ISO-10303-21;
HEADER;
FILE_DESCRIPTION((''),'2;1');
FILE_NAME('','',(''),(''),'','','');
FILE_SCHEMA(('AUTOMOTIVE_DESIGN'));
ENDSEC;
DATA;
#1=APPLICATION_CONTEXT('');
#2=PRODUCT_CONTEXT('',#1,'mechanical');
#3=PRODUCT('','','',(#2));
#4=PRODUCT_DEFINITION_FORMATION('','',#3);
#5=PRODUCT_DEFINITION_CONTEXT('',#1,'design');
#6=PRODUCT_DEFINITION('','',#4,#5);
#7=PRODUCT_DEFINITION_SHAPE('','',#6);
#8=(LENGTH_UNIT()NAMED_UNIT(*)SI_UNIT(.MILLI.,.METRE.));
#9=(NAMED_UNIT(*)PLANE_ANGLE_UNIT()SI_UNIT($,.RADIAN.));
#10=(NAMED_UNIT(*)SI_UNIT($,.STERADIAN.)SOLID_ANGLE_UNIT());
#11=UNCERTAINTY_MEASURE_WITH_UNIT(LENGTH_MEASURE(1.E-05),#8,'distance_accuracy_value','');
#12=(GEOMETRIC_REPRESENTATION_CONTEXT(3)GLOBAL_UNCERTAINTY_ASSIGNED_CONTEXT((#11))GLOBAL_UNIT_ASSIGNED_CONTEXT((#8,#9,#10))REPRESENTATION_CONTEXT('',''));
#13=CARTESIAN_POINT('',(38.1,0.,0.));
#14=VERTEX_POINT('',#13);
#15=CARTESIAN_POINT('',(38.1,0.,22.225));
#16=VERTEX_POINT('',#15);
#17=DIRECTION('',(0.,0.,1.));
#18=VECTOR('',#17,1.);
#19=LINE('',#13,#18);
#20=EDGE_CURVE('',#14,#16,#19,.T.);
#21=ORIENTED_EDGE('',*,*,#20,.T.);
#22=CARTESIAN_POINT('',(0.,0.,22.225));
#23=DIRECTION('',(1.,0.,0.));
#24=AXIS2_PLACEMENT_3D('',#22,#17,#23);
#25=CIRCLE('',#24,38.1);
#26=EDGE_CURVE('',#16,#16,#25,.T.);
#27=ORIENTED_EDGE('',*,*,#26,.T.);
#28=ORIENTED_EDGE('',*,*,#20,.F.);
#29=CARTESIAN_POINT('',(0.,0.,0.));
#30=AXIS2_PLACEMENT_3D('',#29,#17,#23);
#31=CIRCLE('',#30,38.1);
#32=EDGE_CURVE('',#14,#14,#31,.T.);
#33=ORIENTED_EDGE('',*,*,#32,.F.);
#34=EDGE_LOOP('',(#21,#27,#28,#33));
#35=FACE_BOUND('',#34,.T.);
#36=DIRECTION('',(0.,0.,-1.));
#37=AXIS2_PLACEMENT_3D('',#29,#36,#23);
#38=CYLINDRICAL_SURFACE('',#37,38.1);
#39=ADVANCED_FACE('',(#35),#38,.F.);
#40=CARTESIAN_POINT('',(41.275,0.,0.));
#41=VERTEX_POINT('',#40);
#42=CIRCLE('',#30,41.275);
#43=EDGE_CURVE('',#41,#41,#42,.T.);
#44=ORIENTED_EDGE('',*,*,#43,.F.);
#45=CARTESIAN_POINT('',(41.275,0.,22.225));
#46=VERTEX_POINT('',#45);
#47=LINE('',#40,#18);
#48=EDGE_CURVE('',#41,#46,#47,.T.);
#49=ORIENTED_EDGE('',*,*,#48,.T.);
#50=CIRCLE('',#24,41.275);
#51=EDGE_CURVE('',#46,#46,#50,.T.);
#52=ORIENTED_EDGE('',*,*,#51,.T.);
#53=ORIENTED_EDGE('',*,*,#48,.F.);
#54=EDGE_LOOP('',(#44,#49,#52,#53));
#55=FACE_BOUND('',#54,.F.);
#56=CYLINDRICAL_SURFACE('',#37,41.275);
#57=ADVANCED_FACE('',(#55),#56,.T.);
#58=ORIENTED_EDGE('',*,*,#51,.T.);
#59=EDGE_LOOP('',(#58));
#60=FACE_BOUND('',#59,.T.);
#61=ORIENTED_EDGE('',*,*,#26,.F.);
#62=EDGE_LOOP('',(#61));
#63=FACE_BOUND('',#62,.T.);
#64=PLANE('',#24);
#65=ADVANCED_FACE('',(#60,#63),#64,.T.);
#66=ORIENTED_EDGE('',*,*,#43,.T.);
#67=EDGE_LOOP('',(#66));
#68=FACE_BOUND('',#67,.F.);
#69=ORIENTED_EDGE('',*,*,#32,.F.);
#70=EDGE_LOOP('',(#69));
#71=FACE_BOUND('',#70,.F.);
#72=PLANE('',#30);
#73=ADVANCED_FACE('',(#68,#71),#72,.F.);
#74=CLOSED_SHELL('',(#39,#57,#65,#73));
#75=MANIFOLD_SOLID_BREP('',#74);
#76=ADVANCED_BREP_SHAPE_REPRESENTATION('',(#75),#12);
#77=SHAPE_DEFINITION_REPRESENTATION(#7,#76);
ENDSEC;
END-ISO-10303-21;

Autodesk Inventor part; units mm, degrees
ref_plane "YZ Plane" through (0, 0, 0) normal (1, 0, 0) x (0, 1, 0)
ref_plane "XZ Plane" through (0, 0, 0) normal (0, 1, 0) x (-1, 0, 0)
ref_plane "XY Plane" through (0, 0, 0) normal (0, 0, 1) x (1, 0, 0)
sketch "Sketch1" plane through (0, 0, 0) normal (0, 0, 1) x (1, 0, 0)
  circle A0 centre (0, 0) radius 38.1
  circle A1 centre (0, 0) radius 41.275
  dimension "d0" = 76.2
  dimension "d2" = 82.55
extrude "Extrusion1" add sketch "Sketch1" along normal blind 22.225
properties part number "Tread"
